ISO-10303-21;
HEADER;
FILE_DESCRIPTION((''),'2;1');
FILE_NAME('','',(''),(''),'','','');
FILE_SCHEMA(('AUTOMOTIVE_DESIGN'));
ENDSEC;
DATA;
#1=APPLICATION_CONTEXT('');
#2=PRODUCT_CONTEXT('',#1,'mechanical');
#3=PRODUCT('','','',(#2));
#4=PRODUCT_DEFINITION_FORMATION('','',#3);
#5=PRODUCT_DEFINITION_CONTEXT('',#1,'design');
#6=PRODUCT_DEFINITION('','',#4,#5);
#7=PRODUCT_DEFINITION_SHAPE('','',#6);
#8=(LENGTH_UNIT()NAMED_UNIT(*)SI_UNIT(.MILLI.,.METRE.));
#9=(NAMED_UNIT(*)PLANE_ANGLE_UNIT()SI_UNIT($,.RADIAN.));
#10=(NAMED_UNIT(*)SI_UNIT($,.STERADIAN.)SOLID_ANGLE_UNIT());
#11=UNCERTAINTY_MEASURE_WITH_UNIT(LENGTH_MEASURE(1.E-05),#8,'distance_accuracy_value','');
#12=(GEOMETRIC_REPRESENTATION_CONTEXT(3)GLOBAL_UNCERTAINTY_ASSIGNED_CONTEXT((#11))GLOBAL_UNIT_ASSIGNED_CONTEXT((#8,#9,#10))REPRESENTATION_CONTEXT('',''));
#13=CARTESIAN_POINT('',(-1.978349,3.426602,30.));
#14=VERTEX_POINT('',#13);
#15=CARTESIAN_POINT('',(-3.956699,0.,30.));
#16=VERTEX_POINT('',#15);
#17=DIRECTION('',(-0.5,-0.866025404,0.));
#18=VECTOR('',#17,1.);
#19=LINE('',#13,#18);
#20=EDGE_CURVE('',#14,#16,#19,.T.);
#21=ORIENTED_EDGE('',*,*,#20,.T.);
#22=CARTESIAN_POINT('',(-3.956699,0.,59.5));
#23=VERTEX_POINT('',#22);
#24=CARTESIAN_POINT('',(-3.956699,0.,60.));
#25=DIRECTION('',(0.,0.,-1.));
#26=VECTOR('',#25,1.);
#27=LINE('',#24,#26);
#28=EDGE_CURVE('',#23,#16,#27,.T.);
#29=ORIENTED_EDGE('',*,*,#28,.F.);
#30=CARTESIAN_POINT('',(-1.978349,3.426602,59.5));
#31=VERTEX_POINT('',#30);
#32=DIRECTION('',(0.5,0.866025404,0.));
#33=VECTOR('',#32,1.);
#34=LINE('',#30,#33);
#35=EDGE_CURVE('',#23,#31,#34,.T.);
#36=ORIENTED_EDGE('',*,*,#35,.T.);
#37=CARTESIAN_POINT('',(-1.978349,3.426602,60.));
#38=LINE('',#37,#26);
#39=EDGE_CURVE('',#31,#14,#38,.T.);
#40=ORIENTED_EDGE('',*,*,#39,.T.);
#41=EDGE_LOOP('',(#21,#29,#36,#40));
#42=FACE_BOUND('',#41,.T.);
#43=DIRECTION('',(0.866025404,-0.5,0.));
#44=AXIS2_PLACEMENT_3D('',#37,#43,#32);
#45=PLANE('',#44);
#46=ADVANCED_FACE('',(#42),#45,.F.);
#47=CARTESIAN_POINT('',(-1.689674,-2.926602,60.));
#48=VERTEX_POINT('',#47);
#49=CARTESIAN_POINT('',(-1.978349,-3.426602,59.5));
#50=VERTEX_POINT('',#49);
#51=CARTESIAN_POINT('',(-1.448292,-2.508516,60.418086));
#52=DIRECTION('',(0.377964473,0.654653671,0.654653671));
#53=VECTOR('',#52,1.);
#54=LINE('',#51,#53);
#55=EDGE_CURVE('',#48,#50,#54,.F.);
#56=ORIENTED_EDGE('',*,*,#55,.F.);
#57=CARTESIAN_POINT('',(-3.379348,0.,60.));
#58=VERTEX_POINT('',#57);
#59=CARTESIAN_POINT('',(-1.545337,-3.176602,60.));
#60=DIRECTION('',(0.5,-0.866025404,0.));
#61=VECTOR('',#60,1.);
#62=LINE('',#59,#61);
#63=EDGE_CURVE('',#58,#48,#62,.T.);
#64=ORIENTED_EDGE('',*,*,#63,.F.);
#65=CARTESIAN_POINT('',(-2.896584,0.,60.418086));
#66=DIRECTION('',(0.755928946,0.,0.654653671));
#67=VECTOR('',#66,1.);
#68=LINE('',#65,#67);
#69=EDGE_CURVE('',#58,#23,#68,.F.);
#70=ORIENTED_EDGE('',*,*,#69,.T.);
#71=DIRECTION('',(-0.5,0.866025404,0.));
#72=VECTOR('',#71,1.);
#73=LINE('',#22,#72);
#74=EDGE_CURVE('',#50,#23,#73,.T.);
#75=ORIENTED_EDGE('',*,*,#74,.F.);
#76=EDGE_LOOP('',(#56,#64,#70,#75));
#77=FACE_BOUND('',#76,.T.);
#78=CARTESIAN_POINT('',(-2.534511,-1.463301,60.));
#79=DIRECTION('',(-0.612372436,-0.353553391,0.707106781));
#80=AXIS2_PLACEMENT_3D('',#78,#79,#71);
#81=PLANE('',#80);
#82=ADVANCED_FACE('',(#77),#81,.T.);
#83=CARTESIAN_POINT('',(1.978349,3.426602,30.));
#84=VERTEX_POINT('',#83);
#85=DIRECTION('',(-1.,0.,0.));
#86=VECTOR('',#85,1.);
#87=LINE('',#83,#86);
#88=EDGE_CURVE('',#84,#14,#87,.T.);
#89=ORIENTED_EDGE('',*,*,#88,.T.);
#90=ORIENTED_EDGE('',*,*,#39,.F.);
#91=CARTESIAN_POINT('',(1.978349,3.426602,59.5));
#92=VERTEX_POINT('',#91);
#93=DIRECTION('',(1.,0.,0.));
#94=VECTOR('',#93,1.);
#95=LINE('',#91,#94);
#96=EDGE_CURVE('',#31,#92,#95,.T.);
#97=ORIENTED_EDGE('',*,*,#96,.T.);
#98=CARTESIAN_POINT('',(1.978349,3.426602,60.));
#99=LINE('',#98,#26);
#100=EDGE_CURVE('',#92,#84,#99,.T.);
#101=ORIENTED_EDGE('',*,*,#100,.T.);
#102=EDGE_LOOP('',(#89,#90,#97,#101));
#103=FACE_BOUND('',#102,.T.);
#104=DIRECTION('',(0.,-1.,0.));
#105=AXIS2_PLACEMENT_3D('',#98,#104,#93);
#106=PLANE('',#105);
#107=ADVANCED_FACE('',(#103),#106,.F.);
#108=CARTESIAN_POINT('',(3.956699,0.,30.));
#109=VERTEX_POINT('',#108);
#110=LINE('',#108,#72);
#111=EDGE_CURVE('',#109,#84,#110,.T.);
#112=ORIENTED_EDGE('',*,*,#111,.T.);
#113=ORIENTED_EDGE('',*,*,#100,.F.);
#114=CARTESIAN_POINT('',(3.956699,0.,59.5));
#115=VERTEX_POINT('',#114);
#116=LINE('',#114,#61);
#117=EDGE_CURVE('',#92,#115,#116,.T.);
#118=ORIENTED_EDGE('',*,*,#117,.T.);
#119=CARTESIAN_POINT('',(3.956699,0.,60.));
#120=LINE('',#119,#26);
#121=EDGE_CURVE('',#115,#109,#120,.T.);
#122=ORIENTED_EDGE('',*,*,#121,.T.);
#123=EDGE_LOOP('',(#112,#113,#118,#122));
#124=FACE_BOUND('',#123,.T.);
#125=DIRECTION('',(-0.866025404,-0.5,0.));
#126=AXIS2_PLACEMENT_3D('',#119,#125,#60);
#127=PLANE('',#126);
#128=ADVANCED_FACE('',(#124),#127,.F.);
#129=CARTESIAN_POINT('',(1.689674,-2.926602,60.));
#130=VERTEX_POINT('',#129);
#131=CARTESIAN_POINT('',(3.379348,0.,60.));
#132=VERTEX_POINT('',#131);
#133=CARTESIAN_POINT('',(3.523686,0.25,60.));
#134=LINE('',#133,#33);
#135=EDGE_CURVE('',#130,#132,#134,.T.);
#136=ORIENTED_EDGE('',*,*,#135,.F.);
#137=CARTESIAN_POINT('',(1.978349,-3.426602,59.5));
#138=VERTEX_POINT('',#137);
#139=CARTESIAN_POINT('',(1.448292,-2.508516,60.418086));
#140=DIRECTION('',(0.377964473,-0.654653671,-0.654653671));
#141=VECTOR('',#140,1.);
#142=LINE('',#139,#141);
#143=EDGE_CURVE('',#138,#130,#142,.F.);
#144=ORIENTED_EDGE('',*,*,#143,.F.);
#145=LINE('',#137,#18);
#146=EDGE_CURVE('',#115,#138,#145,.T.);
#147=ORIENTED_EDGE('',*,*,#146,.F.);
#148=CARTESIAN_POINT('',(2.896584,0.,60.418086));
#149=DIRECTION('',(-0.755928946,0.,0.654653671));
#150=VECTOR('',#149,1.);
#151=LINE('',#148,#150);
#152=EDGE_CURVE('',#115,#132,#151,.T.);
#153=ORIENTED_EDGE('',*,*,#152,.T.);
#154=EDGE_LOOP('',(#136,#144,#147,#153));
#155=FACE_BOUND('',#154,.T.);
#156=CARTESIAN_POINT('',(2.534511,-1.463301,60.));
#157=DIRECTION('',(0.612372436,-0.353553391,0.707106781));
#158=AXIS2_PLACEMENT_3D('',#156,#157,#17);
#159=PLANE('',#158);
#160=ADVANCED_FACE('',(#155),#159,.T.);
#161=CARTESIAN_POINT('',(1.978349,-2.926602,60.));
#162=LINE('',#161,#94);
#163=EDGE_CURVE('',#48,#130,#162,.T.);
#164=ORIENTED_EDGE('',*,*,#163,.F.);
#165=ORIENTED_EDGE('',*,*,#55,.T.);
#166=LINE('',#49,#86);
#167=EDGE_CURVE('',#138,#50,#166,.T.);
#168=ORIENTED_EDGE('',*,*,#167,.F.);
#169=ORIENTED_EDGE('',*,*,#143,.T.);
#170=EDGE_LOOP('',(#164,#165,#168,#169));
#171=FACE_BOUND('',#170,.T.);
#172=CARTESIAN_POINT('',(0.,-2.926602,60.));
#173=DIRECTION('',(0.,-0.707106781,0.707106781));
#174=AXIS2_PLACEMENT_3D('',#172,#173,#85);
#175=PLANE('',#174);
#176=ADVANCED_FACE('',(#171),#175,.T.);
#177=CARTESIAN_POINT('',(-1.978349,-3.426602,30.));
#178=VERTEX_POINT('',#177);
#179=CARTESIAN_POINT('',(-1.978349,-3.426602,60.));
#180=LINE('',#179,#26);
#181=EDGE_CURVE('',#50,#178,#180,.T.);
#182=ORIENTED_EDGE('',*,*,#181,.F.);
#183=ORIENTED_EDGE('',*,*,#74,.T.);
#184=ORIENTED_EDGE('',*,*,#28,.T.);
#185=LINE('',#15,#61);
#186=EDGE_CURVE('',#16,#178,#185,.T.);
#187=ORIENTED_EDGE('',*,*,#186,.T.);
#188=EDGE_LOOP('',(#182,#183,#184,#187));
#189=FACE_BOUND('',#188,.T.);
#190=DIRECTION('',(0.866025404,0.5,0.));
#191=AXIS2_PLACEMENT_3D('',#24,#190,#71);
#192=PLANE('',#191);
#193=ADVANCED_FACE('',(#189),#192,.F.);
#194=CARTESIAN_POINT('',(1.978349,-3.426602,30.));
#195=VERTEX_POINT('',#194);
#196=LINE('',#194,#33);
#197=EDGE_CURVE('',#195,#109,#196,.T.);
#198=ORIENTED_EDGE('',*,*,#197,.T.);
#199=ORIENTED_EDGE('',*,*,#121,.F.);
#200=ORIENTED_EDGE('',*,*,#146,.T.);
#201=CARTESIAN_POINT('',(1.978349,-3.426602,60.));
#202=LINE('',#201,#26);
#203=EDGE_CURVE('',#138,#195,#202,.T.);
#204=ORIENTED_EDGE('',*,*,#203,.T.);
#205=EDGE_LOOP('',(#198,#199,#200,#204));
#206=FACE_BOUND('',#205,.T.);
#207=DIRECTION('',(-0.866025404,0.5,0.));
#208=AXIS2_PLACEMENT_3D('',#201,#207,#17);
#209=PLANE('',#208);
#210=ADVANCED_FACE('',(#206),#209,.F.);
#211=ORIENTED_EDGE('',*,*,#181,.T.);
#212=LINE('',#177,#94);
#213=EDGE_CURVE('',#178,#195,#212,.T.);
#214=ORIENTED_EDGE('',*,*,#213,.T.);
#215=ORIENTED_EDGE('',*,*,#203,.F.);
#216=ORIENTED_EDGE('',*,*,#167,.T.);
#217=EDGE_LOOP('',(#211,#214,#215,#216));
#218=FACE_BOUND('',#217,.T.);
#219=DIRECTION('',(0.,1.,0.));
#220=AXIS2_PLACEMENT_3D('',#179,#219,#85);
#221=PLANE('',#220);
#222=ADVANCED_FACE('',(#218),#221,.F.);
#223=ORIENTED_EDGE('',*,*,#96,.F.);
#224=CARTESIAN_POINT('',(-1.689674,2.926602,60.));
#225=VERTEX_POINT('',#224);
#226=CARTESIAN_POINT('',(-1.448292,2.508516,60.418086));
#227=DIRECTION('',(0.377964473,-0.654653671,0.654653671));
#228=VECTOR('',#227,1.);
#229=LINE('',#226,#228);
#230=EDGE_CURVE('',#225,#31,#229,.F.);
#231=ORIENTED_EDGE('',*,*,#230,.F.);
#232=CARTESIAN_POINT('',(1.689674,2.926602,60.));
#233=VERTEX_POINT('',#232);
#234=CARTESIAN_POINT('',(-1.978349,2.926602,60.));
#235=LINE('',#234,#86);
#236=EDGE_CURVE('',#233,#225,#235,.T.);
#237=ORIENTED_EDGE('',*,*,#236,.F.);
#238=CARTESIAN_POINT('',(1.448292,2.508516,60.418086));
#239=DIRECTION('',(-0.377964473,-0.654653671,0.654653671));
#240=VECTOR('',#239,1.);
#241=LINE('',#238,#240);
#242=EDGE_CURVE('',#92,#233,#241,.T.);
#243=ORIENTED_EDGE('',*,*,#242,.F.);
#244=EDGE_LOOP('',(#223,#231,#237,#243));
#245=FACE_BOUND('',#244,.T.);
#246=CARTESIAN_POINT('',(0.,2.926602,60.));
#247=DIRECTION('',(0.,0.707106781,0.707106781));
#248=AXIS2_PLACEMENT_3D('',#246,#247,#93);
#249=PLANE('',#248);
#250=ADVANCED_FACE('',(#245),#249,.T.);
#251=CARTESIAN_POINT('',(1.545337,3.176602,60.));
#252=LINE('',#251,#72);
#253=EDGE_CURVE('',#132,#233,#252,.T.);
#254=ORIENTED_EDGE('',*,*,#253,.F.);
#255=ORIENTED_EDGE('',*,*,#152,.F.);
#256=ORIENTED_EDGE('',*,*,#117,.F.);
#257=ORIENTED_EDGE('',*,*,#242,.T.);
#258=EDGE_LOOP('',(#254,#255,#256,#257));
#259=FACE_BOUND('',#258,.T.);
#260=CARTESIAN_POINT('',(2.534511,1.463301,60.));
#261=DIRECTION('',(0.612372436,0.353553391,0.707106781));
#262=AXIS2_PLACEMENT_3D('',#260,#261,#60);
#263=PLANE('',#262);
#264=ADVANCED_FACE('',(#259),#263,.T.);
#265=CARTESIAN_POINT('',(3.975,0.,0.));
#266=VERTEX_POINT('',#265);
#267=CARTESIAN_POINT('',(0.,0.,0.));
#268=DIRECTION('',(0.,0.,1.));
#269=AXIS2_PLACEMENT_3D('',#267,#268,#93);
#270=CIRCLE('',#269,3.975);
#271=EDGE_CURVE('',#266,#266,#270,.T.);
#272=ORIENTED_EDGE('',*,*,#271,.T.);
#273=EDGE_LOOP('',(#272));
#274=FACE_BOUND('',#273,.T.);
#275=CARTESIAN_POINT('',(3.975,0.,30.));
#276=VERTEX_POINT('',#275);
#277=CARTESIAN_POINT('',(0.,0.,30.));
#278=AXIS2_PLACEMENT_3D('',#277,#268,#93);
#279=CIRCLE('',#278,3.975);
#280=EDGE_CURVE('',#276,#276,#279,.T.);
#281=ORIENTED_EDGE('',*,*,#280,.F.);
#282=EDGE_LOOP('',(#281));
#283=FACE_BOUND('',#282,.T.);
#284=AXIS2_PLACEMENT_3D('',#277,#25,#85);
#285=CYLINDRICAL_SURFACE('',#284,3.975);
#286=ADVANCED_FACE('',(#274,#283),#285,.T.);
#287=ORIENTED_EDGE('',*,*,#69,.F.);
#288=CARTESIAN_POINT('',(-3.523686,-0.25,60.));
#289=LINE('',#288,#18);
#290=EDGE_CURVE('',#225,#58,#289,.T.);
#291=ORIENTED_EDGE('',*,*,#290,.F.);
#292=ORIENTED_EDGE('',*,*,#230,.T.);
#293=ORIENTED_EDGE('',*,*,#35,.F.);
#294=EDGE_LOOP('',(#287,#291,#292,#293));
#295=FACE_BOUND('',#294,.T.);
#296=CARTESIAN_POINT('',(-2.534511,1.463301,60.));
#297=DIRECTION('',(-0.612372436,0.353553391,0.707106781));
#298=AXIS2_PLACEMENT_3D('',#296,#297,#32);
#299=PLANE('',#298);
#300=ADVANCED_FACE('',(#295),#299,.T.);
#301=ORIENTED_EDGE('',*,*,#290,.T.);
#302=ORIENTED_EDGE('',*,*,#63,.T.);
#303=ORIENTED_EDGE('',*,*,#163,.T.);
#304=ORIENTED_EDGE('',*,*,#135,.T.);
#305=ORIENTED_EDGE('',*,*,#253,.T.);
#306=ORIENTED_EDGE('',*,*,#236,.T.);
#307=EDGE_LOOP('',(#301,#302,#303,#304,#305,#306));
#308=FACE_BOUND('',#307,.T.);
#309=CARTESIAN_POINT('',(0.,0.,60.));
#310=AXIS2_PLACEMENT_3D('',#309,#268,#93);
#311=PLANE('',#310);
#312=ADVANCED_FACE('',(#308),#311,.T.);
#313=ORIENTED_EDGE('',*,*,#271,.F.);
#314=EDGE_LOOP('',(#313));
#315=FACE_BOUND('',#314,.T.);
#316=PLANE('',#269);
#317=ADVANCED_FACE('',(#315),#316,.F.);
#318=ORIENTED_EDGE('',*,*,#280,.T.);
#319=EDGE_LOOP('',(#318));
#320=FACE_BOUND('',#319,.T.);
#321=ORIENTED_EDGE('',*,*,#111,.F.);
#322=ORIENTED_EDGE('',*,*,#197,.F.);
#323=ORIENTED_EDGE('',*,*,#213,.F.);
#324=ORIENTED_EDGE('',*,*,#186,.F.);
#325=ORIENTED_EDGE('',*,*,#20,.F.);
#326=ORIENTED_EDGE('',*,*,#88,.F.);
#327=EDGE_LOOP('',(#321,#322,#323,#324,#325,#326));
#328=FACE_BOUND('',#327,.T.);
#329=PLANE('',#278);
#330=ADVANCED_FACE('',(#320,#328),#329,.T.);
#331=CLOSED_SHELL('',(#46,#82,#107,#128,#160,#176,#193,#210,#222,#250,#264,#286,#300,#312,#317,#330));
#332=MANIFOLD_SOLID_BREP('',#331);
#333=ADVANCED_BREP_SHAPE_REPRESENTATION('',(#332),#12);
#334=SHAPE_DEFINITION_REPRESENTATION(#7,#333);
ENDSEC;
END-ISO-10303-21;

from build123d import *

# Parameters (mm, degrees)
SKETCH1_R           = 3.975
BOSS_EXTRUDE1_DEPTH = 30
BOSS_EXTRUDE2_DEPTH = 30
CHAMFER2_SIZE       = 0.5


with BuildPart() as part:
    # Sketch1 → Boss-Extrude1 (new body)
    with BuildSketch(Plane.XY):
        Circle(SKETCH1_R)
    extrude(amount=BOSS_EXTRUDE1_DEPTH)

    # Sketch2 → Boss-Extrude2 (add)
    with BuildSketch(Plane.XY.offset(30)):
        Polygon((3.95669873, 0), (1.978349365, 3.426601615), (-1.978349365, 3.426601615), (-3.95669873, 0), (-1.978349365, -3.426601615), (1.978349365, -3.426601615), align=None)
    extrude(amount=BOSS_EXTRUDE2_DEPTH)

    # Chamfer2
    chamfer2_edges = [part.edges().sort_by_distance(p)[0] for p in [
        (2.967524047, -1.713300808, 60),
        (2.967524047, 1.713300808, 60),
        (0, 3.426601615, 60),
        (-2.967524047, 1.713300808, 60),
        (-2.967524047, -1.713300808, 60),
        (0, -3.426601615, 60),
    ]]
    chamfer(chamfer2_edges, length=CHAMFER2_SIZE)


solid = part.part
